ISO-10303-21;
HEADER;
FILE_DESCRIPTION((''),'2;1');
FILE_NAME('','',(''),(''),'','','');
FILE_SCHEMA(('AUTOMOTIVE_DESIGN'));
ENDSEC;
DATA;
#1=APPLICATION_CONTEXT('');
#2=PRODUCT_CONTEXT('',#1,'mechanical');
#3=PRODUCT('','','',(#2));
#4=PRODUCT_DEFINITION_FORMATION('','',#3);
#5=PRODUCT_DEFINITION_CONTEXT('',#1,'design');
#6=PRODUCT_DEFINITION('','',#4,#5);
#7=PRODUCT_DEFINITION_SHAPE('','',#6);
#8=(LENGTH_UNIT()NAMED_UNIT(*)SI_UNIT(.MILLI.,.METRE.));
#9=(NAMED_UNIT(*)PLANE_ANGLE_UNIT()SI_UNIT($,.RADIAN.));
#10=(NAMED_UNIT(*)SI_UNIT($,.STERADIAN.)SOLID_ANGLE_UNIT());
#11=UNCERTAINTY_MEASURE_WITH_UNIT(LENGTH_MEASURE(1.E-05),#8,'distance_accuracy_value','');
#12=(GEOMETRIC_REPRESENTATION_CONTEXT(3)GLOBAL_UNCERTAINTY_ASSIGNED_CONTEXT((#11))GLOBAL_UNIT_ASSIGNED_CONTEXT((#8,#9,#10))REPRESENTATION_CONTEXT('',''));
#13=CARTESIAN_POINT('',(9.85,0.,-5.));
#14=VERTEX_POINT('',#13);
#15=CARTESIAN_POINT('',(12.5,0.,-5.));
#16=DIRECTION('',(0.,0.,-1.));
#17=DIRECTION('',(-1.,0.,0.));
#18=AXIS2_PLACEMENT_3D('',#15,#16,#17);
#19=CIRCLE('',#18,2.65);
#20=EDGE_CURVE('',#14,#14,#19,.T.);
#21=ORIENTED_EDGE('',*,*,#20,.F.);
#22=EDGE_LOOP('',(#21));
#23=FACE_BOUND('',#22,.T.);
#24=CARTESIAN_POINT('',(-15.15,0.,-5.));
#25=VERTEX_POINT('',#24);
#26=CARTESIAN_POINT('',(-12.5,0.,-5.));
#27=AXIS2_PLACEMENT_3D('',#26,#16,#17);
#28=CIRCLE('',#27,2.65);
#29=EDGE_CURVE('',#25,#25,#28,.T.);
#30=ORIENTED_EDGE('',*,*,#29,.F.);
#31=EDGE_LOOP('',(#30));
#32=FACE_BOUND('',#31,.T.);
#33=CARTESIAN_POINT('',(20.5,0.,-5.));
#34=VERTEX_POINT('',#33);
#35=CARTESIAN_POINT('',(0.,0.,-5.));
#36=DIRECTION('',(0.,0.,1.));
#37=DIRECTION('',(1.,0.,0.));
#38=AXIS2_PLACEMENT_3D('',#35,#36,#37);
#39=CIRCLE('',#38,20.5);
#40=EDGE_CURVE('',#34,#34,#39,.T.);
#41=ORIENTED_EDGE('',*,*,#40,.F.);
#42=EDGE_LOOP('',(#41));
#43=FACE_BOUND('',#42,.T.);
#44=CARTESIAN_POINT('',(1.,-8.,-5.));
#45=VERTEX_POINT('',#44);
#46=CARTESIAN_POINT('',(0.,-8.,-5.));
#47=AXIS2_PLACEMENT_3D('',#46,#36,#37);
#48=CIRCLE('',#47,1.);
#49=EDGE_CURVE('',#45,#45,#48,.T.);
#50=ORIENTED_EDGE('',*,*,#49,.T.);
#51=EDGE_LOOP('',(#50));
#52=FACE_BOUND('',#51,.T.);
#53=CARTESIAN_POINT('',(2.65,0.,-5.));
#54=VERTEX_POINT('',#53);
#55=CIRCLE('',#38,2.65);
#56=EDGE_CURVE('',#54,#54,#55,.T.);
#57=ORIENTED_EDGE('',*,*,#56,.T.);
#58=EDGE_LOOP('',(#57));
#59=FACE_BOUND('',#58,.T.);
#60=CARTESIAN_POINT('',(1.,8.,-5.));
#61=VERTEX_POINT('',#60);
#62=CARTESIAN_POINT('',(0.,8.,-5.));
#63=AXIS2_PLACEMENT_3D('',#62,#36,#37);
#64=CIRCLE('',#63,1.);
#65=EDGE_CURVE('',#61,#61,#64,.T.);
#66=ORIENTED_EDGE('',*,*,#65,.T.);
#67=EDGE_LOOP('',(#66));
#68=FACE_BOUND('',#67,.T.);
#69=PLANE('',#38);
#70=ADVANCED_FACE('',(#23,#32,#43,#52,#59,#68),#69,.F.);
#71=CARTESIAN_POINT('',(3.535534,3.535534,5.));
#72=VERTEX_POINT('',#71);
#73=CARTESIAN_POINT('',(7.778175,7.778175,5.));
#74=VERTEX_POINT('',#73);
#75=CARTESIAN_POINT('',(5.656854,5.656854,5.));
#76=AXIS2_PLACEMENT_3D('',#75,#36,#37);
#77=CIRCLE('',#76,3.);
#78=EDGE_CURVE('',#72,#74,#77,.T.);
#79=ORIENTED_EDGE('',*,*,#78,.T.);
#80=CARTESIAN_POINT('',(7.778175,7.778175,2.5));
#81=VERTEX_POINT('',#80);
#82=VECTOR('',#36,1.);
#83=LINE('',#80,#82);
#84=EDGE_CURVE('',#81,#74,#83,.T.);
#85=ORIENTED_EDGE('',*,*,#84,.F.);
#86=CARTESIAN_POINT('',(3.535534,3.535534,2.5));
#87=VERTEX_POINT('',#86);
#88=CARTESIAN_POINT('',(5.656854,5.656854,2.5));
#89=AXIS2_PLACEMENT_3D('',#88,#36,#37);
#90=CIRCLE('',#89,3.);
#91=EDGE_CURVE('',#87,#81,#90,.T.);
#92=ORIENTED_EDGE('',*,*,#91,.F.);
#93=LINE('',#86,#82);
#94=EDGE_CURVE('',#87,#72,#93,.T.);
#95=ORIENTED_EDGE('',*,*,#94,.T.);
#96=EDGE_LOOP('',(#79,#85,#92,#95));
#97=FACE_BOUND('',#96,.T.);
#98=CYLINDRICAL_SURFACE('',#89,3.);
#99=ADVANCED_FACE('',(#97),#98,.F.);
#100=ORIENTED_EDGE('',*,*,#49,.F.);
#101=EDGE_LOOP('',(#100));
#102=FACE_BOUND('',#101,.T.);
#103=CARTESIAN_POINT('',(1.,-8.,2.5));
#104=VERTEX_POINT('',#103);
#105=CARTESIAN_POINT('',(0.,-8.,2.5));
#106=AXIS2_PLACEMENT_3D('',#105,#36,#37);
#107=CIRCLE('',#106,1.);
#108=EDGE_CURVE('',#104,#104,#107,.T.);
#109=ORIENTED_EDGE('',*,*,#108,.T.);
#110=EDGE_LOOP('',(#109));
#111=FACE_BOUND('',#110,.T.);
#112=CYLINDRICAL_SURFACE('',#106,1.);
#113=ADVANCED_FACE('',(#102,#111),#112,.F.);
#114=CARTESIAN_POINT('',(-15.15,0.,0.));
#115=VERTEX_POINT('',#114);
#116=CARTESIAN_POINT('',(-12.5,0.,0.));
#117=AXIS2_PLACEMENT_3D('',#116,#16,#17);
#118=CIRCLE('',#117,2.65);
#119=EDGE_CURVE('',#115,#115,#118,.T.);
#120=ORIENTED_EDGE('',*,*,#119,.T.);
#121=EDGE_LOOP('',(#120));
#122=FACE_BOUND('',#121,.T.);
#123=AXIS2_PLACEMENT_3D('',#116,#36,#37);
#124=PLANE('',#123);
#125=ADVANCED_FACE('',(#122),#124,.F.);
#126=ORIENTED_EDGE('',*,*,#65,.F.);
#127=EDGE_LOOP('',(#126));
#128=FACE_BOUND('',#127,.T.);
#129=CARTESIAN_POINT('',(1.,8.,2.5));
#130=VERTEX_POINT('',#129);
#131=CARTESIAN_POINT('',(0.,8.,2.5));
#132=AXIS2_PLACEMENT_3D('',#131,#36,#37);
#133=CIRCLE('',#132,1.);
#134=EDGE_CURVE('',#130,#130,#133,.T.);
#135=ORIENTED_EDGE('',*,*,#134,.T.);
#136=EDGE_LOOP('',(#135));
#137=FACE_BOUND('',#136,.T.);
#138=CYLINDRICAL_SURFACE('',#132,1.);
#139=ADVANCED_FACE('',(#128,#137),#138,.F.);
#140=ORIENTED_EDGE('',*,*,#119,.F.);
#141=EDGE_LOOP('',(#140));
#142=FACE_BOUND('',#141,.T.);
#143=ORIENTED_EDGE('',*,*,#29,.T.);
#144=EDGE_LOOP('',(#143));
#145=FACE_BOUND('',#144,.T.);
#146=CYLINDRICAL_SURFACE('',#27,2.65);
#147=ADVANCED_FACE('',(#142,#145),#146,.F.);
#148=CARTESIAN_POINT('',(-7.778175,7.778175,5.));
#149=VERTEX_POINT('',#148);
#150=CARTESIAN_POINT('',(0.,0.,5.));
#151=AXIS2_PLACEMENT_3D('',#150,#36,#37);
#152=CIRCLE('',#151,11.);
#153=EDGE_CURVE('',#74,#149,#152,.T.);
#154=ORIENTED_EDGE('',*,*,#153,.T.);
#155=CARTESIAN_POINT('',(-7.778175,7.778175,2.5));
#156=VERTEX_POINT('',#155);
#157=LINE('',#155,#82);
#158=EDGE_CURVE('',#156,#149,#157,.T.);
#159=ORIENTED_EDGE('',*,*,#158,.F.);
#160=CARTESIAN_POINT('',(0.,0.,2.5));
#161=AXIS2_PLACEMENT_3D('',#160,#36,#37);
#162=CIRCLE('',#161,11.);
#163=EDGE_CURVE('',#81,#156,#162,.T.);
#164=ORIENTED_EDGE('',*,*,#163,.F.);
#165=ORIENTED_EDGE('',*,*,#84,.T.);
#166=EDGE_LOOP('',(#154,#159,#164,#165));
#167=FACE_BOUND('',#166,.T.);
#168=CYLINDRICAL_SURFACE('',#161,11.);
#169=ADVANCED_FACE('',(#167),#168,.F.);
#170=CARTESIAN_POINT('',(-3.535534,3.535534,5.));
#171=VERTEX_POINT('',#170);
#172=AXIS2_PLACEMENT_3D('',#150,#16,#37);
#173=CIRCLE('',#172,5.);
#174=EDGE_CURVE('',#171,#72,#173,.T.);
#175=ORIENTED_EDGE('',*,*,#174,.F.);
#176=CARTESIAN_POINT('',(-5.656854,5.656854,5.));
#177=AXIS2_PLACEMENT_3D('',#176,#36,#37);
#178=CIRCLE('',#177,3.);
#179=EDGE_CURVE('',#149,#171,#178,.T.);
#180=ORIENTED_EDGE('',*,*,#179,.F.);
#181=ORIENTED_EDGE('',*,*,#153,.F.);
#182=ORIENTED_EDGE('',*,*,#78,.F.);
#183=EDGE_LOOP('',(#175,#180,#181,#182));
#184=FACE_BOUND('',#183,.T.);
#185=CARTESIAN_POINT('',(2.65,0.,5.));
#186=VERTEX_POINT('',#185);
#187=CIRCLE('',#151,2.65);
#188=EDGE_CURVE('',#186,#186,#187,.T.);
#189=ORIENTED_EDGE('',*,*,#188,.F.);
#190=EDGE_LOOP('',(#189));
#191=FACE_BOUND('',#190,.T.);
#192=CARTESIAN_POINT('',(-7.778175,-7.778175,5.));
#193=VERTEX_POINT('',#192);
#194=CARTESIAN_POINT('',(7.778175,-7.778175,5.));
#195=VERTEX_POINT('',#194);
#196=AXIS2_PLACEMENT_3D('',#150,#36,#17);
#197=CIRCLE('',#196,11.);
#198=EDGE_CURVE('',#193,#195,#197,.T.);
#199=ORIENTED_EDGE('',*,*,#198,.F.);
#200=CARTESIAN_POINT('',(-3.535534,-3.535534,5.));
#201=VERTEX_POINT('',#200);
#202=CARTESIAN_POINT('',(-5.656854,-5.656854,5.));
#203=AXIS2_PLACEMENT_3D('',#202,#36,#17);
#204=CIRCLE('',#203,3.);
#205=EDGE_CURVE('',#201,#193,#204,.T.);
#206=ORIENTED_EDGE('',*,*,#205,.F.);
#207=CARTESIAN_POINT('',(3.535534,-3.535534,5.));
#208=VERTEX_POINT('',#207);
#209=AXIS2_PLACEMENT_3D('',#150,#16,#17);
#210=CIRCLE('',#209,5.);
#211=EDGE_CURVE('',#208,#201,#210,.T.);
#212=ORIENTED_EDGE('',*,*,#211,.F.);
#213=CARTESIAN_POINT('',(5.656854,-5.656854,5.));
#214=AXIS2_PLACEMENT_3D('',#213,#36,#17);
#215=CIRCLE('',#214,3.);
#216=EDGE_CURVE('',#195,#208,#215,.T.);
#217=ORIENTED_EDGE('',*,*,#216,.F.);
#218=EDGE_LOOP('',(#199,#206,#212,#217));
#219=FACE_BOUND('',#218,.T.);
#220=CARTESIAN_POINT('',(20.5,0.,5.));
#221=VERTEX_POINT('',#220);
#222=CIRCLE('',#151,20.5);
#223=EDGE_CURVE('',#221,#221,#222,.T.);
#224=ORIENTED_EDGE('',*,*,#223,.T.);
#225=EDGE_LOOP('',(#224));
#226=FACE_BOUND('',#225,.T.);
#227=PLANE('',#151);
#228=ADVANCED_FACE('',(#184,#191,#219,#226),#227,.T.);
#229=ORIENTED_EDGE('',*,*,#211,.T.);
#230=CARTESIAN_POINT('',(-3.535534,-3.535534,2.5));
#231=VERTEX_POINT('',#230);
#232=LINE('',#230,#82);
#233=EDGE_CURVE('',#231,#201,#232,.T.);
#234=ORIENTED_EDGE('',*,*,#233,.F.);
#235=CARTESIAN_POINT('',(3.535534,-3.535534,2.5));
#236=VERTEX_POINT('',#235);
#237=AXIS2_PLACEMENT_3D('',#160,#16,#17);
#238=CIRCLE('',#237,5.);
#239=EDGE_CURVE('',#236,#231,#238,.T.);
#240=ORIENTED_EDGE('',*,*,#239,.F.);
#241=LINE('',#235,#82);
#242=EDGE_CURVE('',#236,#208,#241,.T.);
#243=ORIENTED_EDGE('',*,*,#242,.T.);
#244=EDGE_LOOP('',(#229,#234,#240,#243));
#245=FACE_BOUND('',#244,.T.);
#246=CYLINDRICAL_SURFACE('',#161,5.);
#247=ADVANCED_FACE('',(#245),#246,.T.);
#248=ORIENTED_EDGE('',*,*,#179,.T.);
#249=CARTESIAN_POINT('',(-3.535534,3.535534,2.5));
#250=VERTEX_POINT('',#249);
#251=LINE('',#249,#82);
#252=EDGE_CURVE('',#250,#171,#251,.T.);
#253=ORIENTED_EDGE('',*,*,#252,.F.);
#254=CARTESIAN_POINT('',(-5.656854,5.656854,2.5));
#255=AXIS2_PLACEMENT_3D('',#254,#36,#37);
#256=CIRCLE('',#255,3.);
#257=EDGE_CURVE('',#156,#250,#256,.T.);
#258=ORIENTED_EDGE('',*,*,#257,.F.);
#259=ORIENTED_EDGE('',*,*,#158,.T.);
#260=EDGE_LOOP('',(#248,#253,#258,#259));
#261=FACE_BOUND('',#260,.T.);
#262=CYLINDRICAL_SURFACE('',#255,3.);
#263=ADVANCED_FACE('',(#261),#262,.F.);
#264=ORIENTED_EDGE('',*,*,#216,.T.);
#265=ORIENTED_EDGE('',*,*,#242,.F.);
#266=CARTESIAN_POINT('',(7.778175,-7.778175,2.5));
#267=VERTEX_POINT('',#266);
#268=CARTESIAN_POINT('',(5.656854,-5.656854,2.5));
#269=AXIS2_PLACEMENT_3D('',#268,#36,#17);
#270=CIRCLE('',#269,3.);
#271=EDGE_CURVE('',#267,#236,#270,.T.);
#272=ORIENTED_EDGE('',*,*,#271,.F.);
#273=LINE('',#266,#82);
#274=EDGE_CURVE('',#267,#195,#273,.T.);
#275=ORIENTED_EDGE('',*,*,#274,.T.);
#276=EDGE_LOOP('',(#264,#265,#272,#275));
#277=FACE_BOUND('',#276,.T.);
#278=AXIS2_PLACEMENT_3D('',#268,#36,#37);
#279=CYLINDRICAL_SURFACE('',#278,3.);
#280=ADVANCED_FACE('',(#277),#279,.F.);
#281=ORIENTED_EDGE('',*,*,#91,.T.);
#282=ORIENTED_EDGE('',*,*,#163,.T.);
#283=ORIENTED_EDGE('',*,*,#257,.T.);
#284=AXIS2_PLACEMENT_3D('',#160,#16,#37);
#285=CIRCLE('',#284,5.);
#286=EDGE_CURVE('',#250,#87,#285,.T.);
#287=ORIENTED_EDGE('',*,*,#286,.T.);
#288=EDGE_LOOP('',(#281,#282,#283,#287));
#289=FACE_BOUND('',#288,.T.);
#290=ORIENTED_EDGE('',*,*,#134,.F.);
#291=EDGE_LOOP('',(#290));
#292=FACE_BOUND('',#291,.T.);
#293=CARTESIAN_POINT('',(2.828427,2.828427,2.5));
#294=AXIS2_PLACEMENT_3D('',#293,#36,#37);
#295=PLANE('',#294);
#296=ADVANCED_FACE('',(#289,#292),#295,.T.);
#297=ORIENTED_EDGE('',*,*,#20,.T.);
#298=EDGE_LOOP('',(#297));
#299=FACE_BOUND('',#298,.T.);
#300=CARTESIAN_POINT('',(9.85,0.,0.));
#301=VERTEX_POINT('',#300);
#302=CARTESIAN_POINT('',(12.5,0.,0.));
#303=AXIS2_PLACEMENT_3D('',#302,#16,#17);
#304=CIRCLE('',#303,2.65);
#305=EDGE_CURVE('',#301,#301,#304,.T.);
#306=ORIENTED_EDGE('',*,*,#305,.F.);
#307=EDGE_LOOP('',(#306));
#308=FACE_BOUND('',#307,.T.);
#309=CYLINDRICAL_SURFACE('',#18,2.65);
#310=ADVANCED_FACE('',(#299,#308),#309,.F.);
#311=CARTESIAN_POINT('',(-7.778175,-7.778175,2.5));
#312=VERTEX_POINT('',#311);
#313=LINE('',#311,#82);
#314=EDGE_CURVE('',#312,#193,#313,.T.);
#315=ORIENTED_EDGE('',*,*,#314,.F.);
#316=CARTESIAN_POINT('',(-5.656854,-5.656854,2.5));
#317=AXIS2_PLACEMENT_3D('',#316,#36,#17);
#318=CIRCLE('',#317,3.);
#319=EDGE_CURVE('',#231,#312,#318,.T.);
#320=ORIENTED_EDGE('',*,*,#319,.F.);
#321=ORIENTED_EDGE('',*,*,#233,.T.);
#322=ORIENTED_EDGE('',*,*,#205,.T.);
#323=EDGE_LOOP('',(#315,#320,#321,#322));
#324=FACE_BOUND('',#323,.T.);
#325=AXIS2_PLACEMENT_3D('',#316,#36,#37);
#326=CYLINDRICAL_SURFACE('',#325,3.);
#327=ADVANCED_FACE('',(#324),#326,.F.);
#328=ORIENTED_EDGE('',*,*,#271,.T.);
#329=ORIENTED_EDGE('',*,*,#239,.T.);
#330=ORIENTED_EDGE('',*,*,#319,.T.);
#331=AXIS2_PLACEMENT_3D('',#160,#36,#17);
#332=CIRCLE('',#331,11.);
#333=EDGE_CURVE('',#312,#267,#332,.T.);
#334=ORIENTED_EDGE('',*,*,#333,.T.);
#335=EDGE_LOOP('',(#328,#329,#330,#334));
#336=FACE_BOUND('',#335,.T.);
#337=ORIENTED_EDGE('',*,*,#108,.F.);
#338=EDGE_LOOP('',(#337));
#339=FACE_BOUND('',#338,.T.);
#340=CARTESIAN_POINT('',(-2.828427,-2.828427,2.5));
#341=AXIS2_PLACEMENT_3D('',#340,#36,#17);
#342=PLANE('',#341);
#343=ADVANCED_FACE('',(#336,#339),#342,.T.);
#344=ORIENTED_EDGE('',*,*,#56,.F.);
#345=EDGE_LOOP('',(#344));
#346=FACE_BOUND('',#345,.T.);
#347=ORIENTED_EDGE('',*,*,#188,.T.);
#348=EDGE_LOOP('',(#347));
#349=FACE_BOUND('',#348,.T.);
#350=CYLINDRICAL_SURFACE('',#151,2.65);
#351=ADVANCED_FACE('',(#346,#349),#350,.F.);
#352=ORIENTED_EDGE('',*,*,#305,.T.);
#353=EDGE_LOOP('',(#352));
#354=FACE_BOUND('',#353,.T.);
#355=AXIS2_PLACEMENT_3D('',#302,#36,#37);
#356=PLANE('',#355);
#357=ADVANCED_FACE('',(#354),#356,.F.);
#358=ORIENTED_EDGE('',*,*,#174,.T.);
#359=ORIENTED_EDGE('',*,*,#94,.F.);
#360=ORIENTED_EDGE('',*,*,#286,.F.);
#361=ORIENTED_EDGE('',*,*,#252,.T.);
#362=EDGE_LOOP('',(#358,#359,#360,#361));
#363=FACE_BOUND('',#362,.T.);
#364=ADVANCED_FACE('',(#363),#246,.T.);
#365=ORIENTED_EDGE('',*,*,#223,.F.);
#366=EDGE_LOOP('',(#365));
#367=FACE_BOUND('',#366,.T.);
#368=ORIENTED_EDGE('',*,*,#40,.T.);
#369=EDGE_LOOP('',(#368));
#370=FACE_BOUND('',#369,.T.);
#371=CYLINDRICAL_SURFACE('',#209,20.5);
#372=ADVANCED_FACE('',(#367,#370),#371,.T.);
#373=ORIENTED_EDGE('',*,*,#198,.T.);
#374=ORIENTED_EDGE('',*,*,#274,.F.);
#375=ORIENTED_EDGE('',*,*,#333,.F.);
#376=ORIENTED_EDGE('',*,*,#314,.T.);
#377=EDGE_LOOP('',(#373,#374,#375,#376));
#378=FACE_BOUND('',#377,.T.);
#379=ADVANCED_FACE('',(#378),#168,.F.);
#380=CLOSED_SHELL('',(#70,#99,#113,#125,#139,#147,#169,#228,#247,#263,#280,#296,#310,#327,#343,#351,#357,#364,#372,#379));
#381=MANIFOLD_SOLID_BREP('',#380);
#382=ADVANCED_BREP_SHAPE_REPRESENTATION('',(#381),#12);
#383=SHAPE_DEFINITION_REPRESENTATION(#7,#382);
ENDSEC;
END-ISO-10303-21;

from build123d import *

# Parameters (mm, degrees)
SKETCH_1_R               = 20.5
EXTRUDE_1_DEPTH          = 5
HOLE_WIZARD_M5_1_D       = 5.3
HOLE_WIZARD_M5_2_D       = 5.3
HOLE_WIZARD_M5_2_DEPTH   = 5
CUT_EXTRUDE_1_DEPTH      = 2.5
HOLE_WIZARD_2_0_2_1_D    = 2
PATTERN_CIRCULAR_1_COUNT = 2


with BuildPart() as part:
    # 스케치1 → 보스-돌출1 (new, symmetric)
    with BuildSketch(Plane.XY):
        Circle(SKETCH_1_R)
    extrude(amount=EXTRUDE_1_DEPTH, both=True)

    # M5 여유 구멍1 (through all)
    with Locations(Plane.XY.offset(5)):
        with Locations((0, 0)):
            Hole(HOLE_WIZARD_M5_1_D / 2)

    # M5 여유 구멍2
    with Locations(Plane(origin=(0, 0, -5), x_dir=(-1, 0, 0), z_dir=(0, 0, -1))):
        with Locations((12.5, 0)):
            hole_wizard_m5_2 = Hole(HOLE_WIZARD_M5_2_D / 2, depth=HOLE_WIZARD_M5_2_DEPTH)

    # 대칭 복사1: M5 여유 구멍2 across plane
    add(hole_wizard_m5_2.mirror(Plane(origin=(0, 0, 0), x_dir=(0, 0, 1), z_dir=(1, 0, 0))), mode=Mode.SUBTRACT)

    # 스케치6 → 컷-돌출1 (cut)
    with BuildSketch(Plane.XY.offset(5)):
        with BuildLine():
            ThreePointArc((7.778174593, 7.778174593), (0, 11), (-7.778174593, 7.778174593))
            ThreePointArc((-7.778174593, 7.778174593), (-7.778174593, 3.535533906), (-3.535533906, 3.535533906))
            ThreePointArc((-3.535533906, 3.535533906), (0, 5), (3.535533906, 3.535533906))
            ThreePointArc((3.535533906, 3.535533906), (7.778174593, 3.535533906), (7.778174593, 7.778174593))
        make_face()
    cut_extrude_1 = extrude(amount=-CUT_EXTRUDE_1_DEPTH, mode=Mode.SUBTRACT)

    # Ø2.0 (2) 지름 구멍1 (through all)
    with Locations(Plane.XY.offset(2.5)):
        with Locations((0, 8)):
            hole_wizard_2_0_2_1 = Hole(HOLE_WIZARD_2_0_2_1_D / 2)

    # 원형 패턴1: 컷-돌출1, Ø2.0 (2) 지름 구멍1 ×2 about axis
    pattern_circular_1_axis = Axis((0, 0, 0), (0, 0, 1))
    add([cut_extrude_1.rotate(pattern_circular_1_axis, i * 360 / PATTERN_CIRCULAR_1_COUNT) for i in range(1, PATTERN_CIRCULAR_1_COUNT)], mode=Mode.SUBTRACT)
    add([hole_wizard_2_0_2_1.rotate(pattern_circular_1_axis, i * 360 / PATTERN_CIRCULAR_1_COUNT) for i in range(1, PATTERN_CIRCULAR_1_COUNT)], mode=Mode.SUBTRACT)


solid = part.part
